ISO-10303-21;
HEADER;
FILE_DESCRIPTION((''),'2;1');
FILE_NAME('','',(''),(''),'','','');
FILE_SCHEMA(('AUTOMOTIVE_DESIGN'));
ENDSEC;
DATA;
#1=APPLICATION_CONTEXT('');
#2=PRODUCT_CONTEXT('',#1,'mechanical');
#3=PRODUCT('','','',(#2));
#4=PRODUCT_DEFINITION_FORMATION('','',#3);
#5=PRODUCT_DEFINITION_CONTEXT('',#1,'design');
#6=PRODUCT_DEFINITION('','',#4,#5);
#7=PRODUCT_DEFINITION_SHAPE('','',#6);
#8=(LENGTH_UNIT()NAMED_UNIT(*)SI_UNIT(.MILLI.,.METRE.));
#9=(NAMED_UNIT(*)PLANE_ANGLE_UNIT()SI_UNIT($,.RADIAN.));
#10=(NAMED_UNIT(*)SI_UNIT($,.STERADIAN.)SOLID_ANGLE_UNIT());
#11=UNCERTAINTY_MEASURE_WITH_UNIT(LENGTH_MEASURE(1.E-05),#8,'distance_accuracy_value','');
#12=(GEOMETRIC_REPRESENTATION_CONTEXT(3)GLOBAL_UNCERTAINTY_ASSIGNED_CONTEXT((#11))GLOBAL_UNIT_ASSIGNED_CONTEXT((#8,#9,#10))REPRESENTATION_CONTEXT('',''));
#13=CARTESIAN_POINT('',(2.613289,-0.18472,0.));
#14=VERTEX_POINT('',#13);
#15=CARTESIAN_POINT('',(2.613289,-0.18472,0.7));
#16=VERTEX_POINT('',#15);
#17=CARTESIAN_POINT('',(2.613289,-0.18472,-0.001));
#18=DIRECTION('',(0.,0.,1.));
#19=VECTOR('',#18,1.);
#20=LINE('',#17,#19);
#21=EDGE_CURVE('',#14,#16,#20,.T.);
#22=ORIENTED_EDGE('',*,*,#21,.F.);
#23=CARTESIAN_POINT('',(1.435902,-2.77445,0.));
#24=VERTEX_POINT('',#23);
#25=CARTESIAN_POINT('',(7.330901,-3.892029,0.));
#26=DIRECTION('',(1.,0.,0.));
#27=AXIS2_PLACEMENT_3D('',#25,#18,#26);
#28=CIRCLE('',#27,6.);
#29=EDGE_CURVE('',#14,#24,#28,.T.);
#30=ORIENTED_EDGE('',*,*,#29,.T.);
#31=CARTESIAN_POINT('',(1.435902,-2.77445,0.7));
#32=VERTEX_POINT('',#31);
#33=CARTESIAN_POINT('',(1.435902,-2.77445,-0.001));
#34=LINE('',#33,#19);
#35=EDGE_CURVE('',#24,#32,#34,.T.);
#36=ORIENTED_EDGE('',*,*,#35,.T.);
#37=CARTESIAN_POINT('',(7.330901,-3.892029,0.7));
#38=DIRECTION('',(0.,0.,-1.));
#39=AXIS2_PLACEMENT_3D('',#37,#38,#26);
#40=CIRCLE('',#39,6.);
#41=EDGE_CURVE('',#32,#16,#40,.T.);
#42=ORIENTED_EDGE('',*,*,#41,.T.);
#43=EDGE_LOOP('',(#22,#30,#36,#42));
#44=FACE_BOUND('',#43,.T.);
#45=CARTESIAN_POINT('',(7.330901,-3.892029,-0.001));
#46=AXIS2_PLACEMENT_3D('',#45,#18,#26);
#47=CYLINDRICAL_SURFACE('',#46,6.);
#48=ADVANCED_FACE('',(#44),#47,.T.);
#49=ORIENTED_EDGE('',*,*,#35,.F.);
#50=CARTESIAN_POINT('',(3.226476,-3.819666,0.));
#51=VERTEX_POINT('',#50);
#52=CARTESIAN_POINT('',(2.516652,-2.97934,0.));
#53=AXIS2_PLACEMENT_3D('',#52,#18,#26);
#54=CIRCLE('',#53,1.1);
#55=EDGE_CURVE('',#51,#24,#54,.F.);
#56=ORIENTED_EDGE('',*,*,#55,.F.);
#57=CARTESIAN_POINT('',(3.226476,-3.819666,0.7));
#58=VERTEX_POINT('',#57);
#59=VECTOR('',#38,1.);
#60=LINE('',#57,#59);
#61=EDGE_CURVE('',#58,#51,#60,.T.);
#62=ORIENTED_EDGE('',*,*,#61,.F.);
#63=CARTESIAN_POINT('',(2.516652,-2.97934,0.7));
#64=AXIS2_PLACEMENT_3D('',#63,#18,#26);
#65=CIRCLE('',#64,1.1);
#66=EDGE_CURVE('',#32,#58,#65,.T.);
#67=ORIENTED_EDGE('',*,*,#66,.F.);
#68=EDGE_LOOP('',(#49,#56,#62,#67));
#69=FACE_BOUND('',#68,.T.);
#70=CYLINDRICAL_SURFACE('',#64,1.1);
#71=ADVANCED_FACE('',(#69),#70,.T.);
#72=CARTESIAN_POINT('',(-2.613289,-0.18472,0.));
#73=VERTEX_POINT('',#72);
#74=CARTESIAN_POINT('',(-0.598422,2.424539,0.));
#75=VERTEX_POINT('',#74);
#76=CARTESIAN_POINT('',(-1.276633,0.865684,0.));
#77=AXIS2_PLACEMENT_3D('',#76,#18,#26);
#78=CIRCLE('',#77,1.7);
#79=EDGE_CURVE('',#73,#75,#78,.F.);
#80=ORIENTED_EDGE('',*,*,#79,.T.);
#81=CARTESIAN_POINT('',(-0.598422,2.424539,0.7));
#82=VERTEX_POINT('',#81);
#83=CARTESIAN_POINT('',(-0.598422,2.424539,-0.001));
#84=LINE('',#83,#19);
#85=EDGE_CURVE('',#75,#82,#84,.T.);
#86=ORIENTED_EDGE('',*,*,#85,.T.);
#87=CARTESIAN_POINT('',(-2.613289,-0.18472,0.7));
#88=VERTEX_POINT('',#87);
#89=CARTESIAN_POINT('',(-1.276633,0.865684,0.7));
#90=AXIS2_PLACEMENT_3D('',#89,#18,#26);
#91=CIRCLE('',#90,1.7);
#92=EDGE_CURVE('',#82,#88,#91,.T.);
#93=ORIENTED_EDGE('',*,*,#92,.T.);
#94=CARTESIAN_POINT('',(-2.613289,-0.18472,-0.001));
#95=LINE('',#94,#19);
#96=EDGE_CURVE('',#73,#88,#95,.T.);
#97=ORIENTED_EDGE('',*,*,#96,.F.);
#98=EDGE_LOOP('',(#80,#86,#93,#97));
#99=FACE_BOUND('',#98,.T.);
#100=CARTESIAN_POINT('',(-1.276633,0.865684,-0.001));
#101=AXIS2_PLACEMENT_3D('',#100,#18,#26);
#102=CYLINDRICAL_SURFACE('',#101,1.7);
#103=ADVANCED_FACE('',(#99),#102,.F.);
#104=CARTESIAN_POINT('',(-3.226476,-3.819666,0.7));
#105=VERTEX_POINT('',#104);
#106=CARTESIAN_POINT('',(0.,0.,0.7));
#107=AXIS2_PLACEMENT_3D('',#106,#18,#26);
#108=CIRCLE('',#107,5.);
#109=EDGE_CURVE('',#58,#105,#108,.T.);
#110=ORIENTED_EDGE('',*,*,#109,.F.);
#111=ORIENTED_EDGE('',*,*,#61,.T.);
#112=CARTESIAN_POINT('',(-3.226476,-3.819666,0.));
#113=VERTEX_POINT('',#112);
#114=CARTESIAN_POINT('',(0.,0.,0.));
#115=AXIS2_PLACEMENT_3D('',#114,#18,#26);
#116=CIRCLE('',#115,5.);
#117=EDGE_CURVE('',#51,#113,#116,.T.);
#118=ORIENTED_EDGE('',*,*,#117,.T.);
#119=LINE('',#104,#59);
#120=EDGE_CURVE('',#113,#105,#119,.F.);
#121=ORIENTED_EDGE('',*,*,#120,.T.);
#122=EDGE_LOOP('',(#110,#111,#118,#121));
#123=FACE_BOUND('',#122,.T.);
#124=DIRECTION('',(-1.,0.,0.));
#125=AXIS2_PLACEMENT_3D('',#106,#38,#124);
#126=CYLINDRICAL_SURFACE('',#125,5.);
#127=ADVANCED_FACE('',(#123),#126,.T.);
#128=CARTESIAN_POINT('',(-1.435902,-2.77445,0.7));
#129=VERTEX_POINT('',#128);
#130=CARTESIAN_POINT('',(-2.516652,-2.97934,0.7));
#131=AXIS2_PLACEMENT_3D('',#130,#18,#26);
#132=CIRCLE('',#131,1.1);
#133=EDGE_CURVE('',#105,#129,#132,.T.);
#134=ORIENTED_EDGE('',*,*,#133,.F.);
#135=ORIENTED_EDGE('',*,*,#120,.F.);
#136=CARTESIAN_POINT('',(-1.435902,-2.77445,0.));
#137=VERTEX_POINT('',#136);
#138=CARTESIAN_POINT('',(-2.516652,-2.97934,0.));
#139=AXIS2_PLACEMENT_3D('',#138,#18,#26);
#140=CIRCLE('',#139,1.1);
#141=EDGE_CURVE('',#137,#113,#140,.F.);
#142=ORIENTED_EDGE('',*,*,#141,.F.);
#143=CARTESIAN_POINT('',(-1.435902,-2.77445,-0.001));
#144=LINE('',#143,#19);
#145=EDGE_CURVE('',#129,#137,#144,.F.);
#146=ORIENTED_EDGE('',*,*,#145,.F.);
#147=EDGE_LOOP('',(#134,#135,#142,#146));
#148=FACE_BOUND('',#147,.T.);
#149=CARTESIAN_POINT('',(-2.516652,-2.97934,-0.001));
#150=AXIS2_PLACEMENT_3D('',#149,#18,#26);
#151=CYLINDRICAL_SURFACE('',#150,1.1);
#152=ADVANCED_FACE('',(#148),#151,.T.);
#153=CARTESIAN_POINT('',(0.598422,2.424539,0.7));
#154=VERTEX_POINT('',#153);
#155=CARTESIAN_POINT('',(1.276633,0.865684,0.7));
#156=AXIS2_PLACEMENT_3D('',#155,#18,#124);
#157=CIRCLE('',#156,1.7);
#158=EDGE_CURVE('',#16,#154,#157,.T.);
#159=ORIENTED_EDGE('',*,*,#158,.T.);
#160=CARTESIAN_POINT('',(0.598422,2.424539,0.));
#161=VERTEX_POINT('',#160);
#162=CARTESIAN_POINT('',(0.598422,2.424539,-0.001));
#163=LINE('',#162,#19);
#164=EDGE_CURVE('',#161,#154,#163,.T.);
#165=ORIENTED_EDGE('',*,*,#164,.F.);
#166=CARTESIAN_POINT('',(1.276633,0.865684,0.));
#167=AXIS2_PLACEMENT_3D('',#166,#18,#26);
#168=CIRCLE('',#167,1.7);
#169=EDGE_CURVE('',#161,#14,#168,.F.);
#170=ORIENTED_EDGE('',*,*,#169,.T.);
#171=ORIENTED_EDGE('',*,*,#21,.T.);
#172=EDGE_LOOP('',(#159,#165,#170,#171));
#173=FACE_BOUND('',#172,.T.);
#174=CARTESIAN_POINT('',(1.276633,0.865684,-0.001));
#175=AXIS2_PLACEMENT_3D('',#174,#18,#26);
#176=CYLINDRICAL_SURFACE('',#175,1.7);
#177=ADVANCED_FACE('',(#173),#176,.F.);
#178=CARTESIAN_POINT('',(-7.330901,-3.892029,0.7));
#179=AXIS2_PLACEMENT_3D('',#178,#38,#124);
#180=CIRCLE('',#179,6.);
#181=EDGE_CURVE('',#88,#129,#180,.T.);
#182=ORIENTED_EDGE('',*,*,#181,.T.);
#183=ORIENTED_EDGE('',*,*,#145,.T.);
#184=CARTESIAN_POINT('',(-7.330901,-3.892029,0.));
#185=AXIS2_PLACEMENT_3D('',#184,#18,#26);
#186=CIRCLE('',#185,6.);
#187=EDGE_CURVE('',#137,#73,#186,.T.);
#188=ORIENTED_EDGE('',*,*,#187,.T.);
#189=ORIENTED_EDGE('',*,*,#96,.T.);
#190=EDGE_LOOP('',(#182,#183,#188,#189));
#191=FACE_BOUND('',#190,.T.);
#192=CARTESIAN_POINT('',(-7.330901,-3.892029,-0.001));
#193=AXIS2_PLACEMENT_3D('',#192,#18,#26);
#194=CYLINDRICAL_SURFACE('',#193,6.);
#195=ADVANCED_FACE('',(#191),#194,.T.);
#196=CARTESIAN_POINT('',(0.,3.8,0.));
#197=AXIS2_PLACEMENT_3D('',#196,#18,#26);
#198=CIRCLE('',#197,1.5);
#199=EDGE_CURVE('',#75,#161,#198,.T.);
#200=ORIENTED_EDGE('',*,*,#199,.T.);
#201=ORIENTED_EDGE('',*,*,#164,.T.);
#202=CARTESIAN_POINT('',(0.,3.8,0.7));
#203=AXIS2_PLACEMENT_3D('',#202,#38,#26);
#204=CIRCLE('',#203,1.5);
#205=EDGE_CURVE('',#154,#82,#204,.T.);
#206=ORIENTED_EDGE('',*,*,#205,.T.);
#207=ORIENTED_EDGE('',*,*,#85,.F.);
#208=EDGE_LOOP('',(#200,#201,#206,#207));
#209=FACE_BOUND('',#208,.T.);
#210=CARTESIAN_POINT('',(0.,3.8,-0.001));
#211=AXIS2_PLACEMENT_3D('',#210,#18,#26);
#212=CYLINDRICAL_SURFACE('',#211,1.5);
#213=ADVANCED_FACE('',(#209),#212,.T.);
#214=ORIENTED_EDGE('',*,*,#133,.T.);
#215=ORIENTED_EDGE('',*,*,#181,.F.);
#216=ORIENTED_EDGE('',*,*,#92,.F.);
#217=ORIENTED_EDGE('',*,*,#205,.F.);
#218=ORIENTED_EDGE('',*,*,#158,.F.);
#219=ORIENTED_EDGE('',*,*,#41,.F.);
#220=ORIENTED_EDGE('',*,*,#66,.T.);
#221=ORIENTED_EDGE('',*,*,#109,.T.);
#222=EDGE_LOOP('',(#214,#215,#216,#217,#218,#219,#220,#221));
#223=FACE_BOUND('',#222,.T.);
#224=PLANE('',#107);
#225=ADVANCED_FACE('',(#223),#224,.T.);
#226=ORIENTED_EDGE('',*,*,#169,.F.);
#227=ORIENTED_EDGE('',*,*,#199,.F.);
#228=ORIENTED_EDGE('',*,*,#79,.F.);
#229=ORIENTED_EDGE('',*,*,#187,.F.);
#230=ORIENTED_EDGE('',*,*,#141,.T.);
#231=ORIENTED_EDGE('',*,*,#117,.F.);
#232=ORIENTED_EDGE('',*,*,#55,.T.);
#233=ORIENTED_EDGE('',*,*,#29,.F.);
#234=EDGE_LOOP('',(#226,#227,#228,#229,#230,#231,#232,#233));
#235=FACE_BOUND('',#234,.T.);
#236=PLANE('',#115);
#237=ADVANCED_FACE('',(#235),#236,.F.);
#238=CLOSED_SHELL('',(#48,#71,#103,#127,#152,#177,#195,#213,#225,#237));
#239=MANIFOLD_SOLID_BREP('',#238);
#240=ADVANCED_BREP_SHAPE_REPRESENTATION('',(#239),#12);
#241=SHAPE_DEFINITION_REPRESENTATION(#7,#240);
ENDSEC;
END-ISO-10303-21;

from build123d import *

# Parameters (mm, degrees)
CROQUIS1_R              = 5
SALIENTE_EXTRUIR1_DEPTH = 0.7
CORTAR_EXTRUIR1_REACH   = 2.7
REDONDEO1_R             = 1.1


with BuildPart() as part:
    # Croquis1 → Saliente-Extruir1 (new body)
    with BuildSketch(Plane.XY):
        Circle(CROQUIS1_R)
    extrude(amount=SALIENTE_EXTRUIR1_DEPTH)

    # Croquis2 → Cortar-Extruir1 (cut, up to next)
    with BuildSketch(Plane.XY.offset(0.7), mode=Mode.PRIVATE) as cortar_extruir1_sk1:
        with BuildLine():
            ThreePointArc((-0.598421585, 2.424539493), (0, 2.3), (0.598421585, 2.424539493))
            ThreePointArc((0.598421585, 2.424539493), (2.622160983, 1.904699976), (2.61328938, -0.184719936))
            ThreePointArc((2.61328938, -0.184719936), (1.528064828, -2.366548348), (1.4, -4.8))
            ThreePointArc((1.4, -4.8), (0, -5), (-1.4, -4.8))
            ThreePointArc((-1.4, -4.8), (-1.528064828, -2.366548348), (-2.61328938, -0.184719936))
            ThreePointArc((-2.61328938, -0.184719936), (-2.622160983, 1.904699976), (-0.598421585, 2.424539493))
        make_face()
    cortar_extruir1_tool1 = extrude(cortar_extruir1_sk1.sketch, amount=-CORTAR_EXTRUIR1_REACH, mode=Mode.PRIVATE) & part.part
    add(cortar_extruir1_tool1.solids().sort_by_distance((0, -0.660031, 0.7))[0], mode=Mode.SUBTRACT)

    # Redondeo1
    redondeo1_edges = [part.edges().sort_by_distance(p)[0] for p in [
        (1.4, -4.8, 0.35),
        (-1.4, -4.8, 0.35),
    ]]
    fillet(redondeo1_edges, radius=REDONDEO1_R)


solid = part.part
